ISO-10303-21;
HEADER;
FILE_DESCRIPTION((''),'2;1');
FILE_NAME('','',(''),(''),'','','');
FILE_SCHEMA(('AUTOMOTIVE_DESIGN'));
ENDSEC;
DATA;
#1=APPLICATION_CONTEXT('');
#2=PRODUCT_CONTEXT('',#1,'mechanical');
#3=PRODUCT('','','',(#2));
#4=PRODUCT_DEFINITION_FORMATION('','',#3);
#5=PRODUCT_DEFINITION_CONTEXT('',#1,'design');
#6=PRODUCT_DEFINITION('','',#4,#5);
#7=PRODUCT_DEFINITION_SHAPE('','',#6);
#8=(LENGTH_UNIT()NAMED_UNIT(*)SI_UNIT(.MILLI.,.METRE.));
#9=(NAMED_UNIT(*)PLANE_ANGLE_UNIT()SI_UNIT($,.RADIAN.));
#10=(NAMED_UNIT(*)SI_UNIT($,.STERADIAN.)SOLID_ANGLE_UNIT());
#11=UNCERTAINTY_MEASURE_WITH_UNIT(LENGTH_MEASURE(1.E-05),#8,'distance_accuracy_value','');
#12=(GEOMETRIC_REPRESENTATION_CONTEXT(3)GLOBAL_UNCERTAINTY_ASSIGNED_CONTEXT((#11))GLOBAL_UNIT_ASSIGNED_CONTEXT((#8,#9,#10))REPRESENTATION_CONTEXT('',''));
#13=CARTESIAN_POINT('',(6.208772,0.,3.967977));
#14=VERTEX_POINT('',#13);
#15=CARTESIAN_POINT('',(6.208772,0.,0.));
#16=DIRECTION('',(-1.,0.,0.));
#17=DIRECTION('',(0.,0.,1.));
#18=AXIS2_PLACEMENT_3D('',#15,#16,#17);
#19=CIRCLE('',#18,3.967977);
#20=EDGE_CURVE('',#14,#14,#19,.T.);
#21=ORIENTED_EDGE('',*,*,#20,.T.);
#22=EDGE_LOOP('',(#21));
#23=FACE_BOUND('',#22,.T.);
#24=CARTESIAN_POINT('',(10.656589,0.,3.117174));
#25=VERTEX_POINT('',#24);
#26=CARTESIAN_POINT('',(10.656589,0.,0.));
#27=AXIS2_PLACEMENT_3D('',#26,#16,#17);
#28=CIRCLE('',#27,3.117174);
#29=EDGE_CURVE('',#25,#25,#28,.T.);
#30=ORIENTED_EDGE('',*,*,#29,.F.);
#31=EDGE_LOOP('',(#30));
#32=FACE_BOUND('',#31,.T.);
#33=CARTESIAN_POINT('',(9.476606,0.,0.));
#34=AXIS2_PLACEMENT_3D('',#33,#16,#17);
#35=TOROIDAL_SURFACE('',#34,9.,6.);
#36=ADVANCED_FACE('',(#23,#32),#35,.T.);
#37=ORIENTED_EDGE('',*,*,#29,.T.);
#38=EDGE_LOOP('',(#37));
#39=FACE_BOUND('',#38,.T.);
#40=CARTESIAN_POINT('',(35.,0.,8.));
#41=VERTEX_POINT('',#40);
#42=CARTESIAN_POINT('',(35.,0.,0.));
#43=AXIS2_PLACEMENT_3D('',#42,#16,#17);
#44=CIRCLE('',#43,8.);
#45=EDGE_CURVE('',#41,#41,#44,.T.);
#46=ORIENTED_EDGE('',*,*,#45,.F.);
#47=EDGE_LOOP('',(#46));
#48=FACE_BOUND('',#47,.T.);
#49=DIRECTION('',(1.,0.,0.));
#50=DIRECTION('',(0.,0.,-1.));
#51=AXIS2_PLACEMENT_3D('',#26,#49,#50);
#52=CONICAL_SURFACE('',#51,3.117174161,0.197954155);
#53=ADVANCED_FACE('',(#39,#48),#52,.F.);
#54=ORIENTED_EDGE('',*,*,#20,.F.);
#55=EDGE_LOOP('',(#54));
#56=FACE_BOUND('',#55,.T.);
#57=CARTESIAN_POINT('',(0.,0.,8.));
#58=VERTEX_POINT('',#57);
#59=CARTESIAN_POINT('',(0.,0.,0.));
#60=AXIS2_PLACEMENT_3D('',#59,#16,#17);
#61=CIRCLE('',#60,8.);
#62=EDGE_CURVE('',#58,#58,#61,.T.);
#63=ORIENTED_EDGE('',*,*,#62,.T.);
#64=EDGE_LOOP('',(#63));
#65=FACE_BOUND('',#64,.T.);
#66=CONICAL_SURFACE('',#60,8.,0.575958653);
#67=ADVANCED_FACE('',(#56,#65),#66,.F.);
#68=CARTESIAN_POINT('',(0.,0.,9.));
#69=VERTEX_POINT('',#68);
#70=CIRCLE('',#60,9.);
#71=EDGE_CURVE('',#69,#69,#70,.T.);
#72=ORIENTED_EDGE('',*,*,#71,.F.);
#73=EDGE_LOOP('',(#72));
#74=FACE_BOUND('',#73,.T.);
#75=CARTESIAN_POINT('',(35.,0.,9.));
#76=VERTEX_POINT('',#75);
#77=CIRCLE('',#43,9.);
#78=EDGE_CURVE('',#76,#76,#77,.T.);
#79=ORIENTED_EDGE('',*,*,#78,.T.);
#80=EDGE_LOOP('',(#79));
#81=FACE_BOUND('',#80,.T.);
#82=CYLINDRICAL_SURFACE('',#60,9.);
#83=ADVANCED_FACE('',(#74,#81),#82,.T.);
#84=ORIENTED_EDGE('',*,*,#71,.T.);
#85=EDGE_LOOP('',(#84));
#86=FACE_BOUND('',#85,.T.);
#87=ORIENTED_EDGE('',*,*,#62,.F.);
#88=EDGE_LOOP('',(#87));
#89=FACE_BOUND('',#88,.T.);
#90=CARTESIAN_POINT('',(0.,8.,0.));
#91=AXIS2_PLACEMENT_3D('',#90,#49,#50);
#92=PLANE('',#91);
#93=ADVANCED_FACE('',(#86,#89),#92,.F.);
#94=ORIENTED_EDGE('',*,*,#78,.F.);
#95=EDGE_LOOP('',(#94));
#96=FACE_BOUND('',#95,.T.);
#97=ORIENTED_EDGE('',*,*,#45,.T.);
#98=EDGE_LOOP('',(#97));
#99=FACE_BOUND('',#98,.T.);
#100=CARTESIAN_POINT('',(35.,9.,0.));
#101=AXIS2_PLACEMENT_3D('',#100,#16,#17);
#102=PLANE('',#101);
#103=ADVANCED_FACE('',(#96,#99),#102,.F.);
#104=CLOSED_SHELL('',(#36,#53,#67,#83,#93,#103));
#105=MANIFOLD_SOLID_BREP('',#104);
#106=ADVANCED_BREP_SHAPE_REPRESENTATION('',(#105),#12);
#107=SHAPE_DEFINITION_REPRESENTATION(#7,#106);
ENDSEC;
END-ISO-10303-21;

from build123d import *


with BuildPart() as part:
    # Эскиз1 → Повернуть1 (revolve)
    with BuildSketch(Plane.XY, mode=Mode.PRIVATE) as revolve_1_sk:
        with BuildLine():
            Line((0, 8), (0, 9))
            Line((0, 9), (35, 9))
            Line((35, 9), (35, 8))
            Line((35, 8), (10.656588902, 3.117174161))
            ThreePointArc((10.656588902, 3.117174161), (8.349331756, 3.106846917), (6.208771579, 3.967976592))
            Line((6.208771579, 3.967976592), (0, 8))
        make_face()
    revolve(revolve_1_sk.sketch.rotate(Axis((0, 0, 0), (1, 0, 0)), 90), axis=Axis((0, 0, 0), (1, 0, 0)))


solid = part.part
